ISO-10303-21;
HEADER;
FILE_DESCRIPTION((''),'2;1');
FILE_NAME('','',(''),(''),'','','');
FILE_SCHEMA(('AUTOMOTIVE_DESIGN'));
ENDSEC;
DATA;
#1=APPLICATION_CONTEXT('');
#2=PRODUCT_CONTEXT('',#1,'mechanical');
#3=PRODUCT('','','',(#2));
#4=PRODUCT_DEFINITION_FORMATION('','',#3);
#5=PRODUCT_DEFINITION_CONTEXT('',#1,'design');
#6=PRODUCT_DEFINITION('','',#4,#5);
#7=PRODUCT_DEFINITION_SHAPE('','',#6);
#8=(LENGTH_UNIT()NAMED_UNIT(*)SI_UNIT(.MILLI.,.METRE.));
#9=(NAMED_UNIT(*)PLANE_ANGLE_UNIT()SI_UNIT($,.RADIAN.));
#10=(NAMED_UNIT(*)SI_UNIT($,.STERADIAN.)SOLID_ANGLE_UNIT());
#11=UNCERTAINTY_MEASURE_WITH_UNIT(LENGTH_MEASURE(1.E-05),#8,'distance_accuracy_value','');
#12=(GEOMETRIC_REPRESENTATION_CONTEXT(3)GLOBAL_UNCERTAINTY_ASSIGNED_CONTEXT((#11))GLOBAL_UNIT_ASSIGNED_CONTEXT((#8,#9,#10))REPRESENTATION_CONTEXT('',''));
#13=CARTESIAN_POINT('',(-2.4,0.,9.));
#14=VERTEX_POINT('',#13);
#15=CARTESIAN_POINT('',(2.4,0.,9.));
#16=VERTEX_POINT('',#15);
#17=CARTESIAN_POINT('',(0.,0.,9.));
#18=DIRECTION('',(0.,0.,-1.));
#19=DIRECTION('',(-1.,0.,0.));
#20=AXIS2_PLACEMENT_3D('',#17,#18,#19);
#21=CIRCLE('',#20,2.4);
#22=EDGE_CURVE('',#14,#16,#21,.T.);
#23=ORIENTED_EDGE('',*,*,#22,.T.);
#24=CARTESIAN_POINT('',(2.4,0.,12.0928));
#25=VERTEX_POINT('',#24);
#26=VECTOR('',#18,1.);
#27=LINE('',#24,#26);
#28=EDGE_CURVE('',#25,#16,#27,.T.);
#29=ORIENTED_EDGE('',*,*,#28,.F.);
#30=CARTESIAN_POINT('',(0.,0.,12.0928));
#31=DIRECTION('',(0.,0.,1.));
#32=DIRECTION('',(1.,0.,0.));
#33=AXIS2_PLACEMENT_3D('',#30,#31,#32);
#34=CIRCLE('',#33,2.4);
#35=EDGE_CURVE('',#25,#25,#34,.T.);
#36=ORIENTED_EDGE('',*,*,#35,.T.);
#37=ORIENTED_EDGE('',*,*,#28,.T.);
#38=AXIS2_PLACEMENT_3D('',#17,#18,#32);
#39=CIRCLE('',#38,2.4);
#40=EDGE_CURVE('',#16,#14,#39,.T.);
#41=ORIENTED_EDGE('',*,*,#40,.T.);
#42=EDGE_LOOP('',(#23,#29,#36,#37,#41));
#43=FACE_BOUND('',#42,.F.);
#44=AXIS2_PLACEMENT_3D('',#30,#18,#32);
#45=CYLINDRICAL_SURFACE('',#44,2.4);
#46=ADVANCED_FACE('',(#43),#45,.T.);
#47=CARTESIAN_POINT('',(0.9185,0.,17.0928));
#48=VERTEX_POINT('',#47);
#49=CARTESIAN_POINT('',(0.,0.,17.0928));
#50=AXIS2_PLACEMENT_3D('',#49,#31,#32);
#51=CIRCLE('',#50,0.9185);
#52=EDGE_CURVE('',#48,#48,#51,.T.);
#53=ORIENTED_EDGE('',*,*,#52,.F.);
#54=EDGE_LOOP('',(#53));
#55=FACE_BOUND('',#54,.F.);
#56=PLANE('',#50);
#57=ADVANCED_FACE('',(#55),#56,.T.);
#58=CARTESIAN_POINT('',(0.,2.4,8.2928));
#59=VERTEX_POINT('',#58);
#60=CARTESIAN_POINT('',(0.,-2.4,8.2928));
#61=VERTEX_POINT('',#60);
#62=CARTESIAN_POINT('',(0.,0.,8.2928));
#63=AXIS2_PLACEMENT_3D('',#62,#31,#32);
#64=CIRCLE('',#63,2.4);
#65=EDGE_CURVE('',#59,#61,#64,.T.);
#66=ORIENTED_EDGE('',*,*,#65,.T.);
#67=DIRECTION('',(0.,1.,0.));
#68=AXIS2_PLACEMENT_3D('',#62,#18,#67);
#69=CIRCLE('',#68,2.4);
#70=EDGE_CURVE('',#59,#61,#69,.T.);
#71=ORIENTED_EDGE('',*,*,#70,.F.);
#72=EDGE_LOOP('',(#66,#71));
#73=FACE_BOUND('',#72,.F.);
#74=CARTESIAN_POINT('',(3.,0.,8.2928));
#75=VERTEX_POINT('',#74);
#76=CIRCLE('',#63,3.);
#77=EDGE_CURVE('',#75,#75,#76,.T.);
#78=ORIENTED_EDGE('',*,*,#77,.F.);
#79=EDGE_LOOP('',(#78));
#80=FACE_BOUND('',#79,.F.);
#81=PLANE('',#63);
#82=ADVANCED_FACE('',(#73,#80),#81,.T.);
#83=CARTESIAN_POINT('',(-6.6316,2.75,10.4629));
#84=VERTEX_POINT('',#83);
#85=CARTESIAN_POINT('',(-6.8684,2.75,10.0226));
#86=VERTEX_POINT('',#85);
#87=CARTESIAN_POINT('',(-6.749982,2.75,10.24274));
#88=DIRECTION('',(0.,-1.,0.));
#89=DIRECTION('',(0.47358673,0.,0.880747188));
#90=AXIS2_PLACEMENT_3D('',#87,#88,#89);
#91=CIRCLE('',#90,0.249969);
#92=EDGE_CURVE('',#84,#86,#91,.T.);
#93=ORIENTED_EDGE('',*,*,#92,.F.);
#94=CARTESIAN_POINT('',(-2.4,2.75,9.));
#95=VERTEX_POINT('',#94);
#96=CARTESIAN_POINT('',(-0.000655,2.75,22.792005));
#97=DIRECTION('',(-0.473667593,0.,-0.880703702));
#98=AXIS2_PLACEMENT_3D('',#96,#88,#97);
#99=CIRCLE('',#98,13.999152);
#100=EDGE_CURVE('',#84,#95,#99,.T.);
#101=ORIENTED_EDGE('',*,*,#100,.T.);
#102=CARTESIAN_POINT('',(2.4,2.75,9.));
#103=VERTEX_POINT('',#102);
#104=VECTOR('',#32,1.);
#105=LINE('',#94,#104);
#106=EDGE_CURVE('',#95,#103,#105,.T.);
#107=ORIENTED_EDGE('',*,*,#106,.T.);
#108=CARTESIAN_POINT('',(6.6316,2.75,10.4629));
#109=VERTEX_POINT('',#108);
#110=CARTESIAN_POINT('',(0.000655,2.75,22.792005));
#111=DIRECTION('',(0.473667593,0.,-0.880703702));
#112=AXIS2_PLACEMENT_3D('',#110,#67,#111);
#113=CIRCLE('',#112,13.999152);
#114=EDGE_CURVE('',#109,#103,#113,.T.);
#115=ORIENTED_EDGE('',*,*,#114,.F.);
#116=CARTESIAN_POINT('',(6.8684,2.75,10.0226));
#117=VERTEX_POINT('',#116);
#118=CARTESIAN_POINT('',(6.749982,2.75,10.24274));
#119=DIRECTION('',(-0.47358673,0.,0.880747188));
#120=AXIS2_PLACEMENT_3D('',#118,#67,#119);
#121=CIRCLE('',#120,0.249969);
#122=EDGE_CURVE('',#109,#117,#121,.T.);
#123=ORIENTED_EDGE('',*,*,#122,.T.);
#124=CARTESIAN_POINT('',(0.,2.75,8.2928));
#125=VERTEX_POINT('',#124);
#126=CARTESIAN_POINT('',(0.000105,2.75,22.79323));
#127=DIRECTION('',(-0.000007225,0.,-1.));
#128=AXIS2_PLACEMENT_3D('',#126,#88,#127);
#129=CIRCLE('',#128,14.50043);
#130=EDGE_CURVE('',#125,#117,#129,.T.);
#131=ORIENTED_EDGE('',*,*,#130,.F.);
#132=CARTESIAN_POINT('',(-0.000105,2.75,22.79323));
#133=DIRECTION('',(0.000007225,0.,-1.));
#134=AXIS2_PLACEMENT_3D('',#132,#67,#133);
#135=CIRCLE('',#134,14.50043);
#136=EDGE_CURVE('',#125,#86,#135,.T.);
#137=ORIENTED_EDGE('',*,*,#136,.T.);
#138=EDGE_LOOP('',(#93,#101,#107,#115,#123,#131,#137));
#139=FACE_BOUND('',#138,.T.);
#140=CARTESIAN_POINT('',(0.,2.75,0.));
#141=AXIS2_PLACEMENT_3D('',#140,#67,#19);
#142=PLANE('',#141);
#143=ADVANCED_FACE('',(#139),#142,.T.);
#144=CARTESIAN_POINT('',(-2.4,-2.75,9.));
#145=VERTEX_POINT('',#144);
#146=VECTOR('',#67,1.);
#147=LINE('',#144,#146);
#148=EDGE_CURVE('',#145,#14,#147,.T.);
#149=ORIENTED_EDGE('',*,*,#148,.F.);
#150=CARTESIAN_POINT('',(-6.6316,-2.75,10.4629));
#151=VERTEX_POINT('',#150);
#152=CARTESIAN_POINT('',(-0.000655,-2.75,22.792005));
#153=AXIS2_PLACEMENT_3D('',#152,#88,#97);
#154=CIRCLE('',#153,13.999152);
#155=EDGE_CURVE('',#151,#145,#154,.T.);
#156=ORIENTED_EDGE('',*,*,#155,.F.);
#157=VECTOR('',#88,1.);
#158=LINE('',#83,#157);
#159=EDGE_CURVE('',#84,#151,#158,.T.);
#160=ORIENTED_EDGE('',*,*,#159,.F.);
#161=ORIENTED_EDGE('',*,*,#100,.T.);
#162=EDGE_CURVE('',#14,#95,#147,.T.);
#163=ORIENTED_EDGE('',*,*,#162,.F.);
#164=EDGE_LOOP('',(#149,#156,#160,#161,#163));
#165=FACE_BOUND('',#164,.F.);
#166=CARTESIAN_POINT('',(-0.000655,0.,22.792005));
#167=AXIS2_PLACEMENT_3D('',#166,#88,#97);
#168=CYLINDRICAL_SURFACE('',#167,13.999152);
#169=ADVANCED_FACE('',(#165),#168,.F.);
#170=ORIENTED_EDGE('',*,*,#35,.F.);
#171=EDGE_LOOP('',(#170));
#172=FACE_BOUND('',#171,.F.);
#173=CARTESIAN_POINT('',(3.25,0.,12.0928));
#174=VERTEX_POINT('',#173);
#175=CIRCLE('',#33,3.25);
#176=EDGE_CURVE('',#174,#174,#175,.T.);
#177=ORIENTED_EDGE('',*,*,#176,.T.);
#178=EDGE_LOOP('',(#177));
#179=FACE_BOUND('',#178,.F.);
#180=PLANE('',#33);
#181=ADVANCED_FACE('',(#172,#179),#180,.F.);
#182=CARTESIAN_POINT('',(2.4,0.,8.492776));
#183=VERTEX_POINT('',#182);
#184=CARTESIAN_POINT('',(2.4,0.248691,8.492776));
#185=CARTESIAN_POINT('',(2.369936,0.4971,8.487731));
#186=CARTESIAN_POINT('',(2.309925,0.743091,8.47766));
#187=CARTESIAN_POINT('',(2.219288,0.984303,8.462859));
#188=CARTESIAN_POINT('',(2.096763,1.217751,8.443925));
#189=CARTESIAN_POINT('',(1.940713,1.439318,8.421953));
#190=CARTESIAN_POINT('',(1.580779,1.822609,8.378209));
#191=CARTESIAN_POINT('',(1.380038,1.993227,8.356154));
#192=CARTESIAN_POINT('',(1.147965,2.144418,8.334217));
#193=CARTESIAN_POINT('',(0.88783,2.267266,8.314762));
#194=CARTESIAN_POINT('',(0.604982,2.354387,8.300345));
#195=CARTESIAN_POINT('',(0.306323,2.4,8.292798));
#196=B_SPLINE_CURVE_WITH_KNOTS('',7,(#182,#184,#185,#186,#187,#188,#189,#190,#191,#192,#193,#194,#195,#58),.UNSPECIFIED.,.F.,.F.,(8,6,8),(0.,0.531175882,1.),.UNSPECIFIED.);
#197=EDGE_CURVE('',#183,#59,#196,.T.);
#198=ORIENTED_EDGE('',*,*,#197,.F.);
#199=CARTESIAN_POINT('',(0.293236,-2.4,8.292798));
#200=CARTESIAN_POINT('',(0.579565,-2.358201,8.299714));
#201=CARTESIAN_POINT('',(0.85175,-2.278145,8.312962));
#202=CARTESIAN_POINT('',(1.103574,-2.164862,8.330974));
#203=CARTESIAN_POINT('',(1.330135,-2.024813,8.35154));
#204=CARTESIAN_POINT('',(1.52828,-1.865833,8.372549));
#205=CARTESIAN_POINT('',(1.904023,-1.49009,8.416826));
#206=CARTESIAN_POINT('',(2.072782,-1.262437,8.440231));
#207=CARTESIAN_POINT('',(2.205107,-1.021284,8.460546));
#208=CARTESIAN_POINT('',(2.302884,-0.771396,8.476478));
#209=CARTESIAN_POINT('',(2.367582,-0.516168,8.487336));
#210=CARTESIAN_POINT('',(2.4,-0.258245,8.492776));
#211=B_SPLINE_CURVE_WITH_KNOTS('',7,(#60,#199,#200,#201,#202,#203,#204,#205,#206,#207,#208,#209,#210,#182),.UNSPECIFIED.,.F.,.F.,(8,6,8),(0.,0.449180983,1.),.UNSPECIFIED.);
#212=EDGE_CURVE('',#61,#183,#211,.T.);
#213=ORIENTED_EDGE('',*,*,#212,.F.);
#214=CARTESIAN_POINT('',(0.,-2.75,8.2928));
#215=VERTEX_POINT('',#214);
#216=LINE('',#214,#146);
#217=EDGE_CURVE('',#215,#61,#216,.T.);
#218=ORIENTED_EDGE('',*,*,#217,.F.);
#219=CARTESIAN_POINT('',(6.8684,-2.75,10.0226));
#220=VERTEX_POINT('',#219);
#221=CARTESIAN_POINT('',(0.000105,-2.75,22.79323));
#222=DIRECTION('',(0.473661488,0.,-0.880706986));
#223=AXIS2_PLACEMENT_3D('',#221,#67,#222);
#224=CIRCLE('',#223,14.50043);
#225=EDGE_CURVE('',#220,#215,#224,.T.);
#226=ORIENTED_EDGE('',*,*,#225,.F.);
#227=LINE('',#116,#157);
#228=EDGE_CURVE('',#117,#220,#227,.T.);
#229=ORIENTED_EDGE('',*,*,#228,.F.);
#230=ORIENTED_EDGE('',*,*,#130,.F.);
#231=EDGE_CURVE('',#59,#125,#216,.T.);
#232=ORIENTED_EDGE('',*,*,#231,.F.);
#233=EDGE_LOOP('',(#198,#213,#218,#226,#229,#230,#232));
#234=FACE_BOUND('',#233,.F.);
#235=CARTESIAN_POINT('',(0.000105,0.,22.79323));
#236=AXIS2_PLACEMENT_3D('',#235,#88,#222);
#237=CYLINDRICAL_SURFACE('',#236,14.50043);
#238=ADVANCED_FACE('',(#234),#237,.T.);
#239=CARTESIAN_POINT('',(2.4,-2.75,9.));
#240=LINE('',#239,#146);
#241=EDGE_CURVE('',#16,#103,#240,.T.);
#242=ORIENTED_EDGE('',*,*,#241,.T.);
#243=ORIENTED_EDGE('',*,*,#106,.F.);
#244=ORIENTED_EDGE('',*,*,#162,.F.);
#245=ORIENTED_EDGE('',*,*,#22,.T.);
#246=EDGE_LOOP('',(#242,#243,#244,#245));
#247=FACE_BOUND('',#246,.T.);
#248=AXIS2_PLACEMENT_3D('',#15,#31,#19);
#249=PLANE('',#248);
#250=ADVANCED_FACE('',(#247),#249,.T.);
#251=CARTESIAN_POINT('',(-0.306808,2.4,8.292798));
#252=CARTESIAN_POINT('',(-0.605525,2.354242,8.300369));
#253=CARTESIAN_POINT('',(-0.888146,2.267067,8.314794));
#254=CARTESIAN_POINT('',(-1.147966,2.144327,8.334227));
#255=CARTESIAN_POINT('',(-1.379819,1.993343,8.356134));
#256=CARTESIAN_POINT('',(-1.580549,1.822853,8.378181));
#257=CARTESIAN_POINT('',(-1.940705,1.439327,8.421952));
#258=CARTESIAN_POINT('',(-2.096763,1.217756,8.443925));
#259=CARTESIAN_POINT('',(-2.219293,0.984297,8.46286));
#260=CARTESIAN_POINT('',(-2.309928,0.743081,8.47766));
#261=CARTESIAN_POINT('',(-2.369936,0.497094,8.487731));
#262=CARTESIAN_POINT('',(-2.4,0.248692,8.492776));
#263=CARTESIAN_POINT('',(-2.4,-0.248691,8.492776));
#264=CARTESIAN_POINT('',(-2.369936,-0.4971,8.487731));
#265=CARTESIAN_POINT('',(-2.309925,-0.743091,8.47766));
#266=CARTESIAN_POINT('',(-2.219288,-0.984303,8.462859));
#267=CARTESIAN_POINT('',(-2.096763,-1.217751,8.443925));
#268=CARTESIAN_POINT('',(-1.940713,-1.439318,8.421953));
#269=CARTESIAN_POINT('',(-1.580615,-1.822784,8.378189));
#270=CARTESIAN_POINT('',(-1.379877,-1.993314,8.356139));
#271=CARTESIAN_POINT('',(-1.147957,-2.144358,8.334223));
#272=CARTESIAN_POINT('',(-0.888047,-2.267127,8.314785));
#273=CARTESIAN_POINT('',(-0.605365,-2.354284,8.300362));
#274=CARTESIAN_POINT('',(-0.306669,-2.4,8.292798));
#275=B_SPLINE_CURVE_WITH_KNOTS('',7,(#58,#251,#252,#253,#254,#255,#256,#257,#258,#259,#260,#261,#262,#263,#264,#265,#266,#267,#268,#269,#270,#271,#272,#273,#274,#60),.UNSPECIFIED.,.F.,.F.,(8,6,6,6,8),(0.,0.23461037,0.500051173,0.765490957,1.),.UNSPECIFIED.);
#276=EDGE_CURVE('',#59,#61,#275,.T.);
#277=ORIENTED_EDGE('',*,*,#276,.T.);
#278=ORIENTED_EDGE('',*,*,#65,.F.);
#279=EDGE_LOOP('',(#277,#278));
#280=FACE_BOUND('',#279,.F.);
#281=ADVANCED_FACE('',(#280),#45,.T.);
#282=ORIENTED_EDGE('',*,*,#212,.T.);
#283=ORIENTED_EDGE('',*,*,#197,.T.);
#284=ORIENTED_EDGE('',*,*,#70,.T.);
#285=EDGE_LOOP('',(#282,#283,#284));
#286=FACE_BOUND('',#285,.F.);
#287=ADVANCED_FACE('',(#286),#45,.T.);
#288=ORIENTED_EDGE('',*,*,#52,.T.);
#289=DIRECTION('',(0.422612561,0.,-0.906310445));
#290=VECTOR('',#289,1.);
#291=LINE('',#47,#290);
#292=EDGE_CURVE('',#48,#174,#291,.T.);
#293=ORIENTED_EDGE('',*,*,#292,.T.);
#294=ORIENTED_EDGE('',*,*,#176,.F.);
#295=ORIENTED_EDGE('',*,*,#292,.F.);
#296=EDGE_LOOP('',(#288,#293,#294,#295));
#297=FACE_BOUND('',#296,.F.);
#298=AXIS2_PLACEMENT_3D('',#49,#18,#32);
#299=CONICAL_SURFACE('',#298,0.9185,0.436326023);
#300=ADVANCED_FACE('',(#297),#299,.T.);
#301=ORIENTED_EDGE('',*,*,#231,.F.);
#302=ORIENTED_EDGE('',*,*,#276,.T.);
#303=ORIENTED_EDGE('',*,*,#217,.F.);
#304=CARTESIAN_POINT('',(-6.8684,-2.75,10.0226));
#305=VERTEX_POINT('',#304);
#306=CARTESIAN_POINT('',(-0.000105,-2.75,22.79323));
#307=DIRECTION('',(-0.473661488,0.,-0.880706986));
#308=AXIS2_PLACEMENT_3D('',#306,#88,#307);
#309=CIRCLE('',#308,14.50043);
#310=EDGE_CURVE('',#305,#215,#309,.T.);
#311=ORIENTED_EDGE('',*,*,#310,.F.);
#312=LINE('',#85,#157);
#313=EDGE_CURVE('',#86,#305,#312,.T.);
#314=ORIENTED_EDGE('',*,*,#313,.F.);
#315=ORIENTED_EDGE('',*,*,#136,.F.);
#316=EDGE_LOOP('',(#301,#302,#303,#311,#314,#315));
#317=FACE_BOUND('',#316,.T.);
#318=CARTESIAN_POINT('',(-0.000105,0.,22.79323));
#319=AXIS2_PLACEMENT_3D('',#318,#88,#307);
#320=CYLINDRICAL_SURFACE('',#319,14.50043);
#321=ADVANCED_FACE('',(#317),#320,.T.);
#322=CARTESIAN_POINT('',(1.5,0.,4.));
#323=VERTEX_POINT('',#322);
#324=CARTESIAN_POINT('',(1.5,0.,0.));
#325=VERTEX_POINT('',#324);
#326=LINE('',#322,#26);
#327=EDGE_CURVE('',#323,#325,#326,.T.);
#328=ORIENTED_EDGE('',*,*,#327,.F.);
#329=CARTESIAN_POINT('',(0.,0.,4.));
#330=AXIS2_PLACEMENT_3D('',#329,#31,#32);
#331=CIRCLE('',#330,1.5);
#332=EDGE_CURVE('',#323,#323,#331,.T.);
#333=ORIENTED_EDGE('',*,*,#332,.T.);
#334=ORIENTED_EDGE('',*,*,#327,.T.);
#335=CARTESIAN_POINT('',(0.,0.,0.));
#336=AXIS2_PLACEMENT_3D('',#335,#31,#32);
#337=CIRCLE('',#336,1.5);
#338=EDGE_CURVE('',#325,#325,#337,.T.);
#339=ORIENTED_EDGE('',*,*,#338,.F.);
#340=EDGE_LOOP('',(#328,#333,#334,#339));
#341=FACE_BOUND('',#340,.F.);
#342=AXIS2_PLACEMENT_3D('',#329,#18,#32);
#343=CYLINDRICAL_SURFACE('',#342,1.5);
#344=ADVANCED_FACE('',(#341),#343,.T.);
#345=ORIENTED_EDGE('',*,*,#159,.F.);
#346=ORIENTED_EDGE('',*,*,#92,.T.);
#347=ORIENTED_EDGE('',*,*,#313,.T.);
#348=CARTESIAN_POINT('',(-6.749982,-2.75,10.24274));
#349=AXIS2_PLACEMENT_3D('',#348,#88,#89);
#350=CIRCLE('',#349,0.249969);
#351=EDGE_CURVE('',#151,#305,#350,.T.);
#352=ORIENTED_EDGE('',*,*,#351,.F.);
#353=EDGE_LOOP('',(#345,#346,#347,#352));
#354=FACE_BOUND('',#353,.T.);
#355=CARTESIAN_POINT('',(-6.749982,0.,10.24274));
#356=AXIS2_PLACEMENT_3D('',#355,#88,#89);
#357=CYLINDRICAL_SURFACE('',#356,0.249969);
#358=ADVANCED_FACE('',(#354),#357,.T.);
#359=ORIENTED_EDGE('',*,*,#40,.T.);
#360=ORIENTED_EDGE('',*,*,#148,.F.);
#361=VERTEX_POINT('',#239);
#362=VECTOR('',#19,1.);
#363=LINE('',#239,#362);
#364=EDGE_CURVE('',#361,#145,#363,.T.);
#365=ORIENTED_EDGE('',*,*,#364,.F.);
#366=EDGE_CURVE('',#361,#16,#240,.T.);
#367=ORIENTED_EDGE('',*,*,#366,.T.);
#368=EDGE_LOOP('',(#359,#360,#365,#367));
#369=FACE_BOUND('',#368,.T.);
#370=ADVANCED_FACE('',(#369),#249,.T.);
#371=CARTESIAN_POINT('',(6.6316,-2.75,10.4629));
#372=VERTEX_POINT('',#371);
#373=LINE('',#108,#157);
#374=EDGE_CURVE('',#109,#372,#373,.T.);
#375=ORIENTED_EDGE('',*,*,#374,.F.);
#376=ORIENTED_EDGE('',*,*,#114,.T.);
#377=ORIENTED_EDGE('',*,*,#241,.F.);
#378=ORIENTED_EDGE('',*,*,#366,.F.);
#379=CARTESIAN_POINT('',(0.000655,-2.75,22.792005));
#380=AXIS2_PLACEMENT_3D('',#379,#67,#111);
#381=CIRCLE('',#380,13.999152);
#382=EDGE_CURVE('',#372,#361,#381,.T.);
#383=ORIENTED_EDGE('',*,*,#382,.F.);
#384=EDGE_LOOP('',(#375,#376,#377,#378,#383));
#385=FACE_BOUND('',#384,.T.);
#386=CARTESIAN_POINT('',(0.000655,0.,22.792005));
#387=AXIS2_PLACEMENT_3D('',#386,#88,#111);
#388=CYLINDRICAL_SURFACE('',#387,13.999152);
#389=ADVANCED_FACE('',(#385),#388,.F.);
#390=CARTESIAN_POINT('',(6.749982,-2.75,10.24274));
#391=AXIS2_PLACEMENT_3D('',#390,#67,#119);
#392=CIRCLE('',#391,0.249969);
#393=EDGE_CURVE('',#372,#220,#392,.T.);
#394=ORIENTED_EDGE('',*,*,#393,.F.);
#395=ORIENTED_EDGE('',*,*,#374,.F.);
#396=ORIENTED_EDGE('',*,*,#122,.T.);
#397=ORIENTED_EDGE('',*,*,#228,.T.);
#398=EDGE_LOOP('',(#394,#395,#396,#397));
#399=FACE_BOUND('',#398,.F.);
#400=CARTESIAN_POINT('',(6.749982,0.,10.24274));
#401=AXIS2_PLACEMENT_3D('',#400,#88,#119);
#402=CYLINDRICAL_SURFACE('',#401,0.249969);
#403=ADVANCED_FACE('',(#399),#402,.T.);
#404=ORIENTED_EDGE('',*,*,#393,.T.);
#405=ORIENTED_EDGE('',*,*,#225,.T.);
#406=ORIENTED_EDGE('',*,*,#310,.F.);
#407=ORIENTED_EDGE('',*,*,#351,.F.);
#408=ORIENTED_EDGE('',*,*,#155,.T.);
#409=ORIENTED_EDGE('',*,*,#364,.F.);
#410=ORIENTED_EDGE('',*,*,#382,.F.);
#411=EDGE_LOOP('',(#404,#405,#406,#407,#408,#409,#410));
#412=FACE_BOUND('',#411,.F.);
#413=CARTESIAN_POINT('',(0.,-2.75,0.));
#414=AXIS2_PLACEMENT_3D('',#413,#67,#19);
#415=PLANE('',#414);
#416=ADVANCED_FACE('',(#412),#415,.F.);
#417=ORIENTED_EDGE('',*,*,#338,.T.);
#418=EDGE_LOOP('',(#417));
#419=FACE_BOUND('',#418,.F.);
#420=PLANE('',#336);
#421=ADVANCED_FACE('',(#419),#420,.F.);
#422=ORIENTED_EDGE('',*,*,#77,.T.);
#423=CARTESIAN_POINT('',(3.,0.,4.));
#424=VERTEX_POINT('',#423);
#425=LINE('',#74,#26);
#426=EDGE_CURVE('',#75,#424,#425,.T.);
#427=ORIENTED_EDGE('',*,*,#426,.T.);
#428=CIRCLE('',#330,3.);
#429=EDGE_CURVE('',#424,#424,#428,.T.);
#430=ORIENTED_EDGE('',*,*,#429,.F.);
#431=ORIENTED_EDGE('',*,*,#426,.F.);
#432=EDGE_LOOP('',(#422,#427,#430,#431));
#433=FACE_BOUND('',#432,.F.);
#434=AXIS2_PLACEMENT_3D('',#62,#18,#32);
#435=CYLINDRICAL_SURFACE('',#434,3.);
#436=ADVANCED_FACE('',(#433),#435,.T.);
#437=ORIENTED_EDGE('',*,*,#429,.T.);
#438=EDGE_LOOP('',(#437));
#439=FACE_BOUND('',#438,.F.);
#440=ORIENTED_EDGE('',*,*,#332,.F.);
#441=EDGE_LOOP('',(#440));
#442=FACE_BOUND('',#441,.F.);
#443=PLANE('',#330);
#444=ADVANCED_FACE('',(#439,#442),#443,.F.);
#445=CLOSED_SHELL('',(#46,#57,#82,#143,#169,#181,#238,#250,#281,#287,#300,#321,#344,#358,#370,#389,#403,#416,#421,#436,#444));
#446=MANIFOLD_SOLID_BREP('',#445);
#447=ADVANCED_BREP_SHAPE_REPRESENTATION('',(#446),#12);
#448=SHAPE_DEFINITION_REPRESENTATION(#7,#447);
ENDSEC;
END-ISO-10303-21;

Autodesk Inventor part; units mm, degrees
ref_plane "YZ Plane" through (0, 0, 0) normal (1, 0, 0) x (0, 1, 0)
ref_plane "XZ Plane" through (0, 0, 0) normal (0, 1, 0) x (-1, 0, 0)
ref_plane "XY Plane" through (0, 0, 0) normal (0, 0, 1) x (1, 0, 0)
sketch "Sketch1" plane through (0, 0, 0) normal (0, 1, 0) x (-1, 0, 0)
  line L0 (0, 0) -> (0, 17.0928)
  line L1 (0, 17.0928) -> (-0.9185, 17.0928)
  line L2 (-0.9185, 17.0928) -> (-3.25, 12.0928)
  line L3 (-3.25, 12.0928) -> (-2.4, 12.0928)
  line L4 (-2.4, 12.0928) -> (-2.4, 8.2928)
  line L5 (-2.4, 8.2928) -> (-3, 8.2928)
  line L6 (-3, 8.2928) -> (-3, 4)
  line L7 (-3, 4) -> (-1.5, 4)
  line L8 (-1.5, 4) -> (-1.5, 0)
  line L9 (-1.5, 0) -> (0, 0)
  arc A0 (-6.8684, 10.0226) -> (0, 8.2928) centre (0, 22.7935) ccw
  arc A1 (-6.6316, 10.4629) -> (-2.4, 9) centre (0, 22.7935) ccw
  arc A2 (-6.6316, 10.4629) -> (-6.8684, 10.0226) centre (-6.75, 10.2428) ccw
  line L10 (-2.4, 9) -> (0, 9)
  point P0 (0, 10)
  dimension "d0" = 3
  dimension "d1" = 4
  dimension "d3" = 6
  dimension "d4" = 5
  dimension "d5" = 6.5
  dimension "d9" = 8.8
  dimension "d10" = 25
  dimension "d11" = 4.8
  dimension "d15" = 5
  dimension "d17" = 14
  dimension "d18" = 0.5
  dimension "d19" = 1.6
revolve "Revolution1" add sketch "Sketch1" angle 360 about axis through (0, 0, 0) along (0, 0, 1) contours L9 L8 L7 L6 L5 L4 A0 L0 | A0 L4 L10 L0 | L10 L4 L3 L2 L1 L0
extrude "Extrusion1" add sketch "Sketch1" along normal mid plane 5.5 contours A0 L4 L10 L0 | A0 A2 A1 L4
mirror "Mirror1" about plane through (0, 0, 8.2928) normal (-1, 0, 0) of "Extrusion1"
properties part number "WBN-305" material "Acetal Resin, White"
